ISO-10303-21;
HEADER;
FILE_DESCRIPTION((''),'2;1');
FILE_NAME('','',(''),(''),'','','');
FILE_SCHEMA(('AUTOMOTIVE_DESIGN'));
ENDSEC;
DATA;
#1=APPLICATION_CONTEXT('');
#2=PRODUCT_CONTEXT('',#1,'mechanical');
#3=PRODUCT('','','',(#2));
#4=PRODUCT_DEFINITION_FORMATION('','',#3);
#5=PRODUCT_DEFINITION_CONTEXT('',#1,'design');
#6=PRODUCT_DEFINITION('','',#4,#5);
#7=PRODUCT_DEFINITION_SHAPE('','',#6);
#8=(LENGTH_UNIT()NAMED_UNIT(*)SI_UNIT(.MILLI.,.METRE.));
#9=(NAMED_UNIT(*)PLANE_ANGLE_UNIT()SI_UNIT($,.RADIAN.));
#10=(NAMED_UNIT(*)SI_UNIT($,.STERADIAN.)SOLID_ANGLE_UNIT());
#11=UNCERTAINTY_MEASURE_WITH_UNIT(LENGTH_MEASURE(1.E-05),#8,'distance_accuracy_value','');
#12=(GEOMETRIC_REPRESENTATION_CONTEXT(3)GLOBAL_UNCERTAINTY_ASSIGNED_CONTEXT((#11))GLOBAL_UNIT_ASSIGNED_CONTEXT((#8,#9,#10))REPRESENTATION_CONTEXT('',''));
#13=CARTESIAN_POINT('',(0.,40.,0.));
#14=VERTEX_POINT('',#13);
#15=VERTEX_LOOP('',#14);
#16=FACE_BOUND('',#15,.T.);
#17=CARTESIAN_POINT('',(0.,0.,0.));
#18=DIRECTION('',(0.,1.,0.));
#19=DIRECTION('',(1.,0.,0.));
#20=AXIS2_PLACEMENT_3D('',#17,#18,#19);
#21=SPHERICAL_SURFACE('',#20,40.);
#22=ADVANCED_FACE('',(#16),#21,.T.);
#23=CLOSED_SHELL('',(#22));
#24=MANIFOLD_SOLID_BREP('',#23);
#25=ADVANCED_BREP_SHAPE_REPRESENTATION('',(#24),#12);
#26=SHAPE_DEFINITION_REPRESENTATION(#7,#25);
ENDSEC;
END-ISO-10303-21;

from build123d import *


with BuildPart() as part:
    # Çizim2 → Döndür5 (revolve)
    with BuildSketch(Plane.XY):
        with BuildLine():
            Line((0, 40), (0, -40))
            ThreePointArc((0, -40), (40, 0), (0, 40))
        make_face()
    revolve(axis=Axis((0, 52.489479031, 0), (0, -1, 0)))


solid = part.part
